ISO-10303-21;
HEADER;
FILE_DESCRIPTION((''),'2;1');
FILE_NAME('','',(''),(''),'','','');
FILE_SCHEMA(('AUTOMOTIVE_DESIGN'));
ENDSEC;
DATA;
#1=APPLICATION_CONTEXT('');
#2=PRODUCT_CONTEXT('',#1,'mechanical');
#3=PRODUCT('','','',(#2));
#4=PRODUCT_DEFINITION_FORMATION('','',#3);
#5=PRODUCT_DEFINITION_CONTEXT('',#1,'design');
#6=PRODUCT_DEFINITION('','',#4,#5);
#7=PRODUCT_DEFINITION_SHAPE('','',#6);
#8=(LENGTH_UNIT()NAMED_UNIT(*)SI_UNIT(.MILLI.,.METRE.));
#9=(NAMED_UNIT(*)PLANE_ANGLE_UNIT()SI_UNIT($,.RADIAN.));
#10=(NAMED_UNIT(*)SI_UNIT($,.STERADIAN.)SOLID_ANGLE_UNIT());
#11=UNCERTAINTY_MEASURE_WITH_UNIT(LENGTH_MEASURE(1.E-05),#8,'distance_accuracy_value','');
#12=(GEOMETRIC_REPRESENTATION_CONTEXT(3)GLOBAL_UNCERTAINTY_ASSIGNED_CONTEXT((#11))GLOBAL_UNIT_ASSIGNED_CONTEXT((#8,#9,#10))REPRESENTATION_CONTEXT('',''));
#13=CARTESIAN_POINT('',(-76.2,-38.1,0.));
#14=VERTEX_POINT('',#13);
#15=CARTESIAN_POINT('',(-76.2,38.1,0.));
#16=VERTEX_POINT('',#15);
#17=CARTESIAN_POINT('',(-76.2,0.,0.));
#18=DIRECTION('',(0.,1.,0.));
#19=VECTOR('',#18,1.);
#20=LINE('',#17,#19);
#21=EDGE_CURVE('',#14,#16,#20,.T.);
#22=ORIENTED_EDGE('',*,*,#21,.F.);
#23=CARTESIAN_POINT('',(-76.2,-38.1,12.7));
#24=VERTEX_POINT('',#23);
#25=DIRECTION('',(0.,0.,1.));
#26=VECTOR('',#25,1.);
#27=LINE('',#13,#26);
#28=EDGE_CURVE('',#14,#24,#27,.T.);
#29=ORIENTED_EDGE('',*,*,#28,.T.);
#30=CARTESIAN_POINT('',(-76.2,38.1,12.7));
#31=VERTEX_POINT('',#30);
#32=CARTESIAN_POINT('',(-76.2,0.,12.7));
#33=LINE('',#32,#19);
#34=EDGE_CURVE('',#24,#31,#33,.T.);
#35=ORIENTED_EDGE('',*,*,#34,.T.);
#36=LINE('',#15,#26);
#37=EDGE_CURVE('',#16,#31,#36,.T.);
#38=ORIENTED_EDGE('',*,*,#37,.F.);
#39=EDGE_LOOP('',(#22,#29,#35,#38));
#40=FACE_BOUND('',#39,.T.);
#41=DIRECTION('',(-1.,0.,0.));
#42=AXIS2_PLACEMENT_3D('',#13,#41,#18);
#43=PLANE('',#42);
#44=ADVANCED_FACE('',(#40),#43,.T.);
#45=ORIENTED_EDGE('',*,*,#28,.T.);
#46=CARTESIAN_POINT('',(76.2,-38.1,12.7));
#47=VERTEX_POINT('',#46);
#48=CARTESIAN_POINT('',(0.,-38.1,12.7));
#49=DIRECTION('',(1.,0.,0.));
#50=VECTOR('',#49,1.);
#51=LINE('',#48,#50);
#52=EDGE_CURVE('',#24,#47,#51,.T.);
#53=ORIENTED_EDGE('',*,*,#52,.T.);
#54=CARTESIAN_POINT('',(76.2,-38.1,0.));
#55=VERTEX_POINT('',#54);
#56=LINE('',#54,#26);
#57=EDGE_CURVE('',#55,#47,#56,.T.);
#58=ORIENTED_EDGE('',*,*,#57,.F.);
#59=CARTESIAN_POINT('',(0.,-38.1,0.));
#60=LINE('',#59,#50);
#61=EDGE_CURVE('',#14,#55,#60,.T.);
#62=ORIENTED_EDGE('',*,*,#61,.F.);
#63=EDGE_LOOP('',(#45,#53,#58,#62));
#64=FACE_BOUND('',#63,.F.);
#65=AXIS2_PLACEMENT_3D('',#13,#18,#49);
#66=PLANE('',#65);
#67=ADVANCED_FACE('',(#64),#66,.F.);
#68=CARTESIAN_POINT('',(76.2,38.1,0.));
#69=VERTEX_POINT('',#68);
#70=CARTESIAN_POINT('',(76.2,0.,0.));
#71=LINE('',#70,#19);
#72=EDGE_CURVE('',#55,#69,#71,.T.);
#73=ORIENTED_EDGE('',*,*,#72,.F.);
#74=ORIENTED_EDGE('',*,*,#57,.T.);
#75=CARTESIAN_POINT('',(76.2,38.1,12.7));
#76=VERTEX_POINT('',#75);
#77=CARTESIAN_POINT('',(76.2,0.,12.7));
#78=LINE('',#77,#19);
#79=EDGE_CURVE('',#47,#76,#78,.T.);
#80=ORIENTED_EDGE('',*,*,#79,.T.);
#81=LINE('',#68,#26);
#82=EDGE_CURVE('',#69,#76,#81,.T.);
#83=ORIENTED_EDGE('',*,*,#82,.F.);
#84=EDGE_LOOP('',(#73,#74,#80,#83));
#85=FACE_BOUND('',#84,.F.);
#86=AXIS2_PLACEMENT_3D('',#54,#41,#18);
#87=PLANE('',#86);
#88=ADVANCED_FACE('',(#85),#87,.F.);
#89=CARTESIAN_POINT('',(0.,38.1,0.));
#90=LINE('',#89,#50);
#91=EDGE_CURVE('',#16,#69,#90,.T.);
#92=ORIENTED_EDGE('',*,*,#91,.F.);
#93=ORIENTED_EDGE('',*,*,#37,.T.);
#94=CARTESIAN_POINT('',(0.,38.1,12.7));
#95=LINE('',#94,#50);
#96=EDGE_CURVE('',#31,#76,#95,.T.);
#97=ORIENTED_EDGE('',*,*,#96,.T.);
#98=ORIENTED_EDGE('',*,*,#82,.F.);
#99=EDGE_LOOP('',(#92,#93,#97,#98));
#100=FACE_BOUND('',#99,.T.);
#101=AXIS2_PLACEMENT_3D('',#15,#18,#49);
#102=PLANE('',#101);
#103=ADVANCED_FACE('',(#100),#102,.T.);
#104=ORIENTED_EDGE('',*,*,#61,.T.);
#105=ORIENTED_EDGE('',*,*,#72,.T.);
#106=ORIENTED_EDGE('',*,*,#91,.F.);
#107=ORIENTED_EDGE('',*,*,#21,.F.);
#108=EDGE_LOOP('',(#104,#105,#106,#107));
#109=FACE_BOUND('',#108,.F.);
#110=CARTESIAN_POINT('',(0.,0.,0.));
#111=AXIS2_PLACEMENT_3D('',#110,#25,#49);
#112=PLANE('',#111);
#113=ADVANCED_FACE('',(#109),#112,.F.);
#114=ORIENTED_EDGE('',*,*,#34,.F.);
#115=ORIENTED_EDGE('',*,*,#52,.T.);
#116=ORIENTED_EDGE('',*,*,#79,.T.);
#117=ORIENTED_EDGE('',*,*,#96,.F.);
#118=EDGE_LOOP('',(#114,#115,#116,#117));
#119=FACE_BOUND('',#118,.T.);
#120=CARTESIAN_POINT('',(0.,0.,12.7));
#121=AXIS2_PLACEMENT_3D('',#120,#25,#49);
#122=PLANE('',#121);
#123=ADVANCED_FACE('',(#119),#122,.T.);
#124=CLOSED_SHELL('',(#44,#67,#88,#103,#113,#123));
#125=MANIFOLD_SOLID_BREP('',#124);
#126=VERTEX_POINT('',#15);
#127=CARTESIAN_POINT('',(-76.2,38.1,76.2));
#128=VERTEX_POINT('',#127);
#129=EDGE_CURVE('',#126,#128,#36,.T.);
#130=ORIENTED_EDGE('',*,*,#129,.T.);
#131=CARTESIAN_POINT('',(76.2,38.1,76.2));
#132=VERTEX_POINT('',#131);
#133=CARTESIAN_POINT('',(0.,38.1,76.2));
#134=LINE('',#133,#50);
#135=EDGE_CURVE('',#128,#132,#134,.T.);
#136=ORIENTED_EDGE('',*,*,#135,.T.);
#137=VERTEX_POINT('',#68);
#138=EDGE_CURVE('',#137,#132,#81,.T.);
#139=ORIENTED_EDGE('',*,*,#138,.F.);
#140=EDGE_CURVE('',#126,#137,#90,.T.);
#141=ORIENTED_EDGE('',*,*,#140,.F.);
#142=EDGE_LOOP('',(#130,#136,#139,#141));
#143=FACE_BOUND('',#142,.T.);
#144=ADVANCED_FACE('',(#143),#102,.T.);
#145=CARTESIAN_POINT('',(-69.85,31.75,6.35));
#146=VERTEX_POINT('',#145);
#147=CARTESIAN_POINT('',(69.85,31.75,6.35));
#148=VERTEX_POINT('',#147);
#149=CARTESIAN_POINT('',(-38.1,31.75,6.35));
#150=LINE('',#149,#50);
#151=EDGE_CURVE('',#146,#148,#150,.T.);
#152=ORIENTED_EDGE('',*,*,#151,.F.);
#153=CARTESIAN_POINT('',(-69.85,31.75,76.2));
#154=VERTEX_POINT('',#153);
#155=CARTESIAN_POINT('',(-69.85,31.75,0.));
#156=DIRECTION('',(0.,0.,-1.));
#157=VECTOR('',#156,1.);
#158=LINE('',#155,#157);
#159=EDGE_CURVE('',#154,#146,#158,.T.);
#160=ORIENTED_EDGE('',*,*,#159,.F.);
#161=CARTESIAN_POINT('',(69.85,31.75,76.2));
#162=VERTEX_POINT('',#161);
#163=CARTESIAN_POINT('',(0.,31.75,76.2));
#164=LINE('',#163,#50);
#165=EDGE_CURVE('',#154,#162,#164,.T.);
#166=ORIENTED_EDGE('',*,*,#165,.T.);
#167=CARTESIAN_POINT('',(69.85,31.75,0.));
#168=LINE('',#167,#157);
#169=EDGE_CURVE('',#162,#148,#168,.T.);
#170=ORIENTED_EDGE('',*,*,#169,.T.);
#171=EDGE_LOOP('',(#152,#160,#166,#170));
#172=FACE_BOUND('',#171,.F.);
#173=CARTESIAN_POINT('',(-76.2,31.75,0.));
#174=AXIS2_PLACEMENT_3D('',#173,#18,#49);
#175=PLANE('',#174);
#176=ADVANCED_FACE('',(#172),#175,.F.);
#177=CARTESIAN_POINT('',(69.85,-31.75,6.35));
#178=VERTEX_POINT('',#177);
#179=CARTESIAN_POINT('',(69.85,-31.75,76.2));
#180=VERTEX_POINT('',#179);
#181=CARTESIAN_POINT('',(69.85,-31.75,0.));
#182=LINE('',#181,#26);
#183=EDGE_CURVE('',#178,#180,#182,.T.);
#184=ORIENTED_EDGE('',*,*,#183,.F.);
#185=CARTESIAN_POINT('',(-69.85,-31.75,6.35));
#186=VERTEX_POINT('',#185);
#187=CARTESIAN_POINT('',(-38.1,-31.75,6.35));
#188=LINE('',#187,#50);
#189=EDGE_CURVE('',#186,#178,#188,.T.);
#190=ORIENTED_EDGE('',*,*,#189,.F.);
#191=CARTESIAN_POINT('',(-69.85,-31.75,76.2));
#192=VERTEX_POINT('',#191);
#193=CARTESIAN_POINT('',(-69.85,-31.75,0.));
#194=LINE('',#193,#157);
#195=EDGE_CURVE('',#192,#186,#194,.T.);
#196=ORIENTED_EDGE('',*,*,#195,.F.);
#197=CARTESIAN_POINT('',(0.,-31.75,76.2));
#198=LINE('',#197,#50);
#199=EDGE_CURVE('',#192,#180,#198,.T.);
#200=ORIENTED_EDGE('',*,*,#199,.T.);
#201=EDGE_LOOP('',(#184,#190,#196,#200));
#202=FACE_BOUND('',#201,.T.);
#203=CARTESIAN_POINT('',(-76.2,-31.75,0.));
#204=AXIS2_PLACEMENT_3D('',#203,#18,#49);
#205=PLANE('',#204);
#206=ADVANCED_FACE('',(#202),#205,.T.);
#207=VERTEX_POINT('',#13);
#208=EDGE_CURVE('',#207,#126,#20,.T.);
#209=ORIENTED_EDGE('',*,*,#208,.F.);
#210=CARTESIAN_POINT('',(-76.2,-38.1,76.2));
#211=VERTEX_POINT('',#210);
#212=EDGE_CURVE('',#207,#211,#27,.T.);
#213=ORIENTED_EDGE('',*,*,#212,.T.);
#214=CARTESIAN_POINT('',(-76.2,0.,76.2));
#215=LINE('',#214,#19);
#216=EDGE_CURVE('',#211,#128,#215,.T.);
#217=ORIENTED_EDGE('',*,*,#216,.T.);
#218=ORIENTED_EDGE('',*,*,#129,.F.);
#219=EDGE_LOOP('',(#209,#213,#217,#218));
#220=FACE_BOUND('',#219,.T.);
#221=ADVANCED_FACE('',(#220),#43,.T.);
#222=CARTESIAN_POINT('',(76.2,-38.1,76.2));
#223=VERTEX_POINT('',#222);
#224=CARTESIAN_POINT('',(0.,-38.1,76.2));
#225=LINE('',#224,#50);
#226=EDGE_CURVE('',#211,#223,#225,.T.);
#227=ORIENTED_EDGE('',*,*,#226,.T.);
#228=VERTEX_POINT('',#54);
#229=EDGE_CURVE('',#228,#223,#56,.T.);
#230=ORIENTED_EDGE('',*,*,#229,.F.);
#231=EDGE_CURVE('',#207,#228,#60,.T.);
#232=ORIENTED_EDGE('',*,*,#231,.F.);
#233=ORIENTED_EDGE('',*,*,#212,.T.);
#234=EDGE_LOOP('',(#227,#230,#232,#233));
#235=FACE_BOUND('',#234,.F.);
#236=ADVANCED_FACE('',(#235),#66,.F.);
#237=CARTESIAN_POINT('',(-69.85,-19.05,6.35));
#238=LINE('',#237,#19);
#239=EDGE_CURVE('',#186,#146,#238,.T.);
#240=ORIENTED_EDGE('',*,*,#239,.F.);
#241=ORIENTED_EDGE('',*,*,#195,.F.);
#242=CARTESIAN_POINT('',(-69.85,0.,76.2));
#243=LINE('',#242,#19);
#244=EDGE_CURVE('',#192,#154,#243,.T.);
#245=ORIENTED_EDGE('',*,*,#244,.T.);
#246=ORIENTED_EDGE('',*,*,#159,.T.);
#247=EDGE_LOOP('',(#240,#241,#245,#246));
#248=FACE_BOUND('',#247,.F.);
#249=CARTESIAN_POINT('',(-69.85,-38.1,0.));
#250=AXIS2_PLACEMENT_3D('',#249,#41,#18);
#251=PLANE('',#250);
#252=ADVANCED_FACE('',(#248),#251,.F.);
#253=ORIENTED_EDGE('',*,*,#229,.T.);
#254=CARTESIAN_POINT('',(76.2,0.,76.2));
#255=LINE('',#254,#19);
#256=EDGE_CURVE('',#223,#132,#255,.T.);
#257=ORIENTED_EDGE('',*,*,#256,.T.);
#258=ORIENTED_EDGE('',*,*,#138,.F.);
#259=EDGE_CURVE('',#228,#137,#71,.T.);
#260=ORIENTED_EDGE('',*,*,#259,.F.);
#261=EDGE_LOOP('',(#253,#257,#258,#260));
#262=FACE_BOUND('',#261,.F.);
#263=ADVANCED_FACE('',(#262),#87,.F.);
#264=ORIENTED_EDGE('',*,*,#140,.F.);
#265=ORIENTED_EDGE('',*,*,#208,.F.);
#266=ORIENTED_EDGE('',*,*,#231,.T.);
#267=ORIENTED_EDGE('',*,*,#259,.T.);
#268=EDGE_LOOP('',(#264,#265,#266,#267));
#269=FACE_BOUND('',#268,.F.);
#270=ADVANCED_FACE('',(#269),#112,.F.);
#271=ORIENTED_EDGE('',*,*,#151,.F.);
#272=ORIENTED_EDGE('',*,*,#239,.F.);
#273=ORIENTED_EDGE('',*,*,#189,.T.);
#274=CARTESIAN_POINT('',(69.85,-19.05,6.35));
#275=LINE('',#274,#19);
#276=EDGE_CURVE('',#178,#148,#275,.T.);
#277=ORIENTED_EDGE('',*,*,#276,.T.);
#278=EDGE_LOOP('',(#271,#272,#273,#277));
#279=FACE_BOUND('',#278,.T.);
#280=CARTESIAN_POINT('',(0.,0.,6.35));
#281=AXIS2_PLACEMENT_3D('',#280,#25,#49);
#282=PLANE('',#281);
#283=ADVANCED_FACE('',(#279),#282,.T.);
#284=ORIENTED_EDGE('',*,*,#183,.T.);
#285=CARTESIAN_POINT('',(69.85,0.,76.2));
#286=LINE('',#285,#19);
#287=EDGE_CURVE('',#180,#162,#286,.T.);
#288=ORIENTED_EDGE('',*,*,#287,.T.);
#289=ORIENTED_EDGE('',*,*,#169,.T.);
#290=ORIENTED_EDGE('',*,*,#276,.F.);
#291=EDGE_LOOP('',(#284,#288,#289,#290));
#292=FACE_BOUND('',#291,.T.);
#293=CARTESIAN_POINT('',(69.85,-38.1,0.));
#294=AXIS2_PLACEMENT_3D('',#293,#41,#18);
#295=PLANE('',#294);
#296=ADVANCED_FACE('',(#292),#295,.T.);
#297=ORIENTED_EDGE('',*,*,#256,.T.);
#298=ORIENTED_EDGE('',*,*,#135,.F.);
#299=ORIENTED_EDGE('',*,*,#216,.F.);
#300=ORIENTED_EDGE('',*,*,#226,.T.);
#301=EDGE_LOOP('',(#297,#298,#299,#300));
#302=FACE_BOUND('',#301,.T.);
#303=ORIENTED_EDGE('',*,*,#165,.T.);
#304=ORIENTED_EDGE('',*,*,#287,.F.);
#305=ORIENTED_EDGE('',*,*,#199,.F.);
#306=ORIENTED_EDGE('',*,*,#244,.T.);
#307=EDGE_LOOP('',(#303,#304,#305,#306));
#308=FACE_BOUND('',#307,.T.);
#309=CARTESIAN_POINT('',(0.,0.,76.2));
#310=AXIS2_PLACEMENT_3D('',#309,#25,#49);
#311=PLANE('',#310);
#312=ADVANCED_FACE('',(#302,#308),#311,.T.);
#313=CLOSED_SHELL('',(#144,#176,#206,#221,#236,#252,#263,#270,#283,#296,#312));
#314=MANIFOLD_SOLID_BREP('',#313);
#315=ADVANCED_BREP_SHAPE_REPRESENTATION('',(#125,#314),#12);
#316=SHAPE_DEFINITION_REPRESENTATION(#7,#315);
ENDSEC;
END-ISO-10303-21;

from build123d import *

# Parameters (mm, degrees)
F0_W     = 152.4
F0_H     = 76.2
F1_DEPTH = 76.2
F2_T     = -6.35
F3_W     = 152.4
F3_H     = 76.2
F4_DEPTH = 12.7


with BuildPart() as f1:
    # F0 (on Top) → F1 (new body)
    with BuildSketch(Plane.XY):
        Rectangle(F0_W, F0_H)
    extrude(amount=F1_DEPTH)

    # F2
    f2_openings = [f1.faces().sort_by_distance(p)[0] for p in [
        (0, 0, 76.2),
    ]]
    offset(amount=F2_T, openings=f2_openings)


with BuildPart() as f4:
    # F3 (on Top) → F4 (new body)
    with BuildSketch(Plane.XY):
        Rectangle(F3_W, F3_H)
    extrude(amount=F4_DEPTH)


solid = Compound([f1.part, f4.part])
